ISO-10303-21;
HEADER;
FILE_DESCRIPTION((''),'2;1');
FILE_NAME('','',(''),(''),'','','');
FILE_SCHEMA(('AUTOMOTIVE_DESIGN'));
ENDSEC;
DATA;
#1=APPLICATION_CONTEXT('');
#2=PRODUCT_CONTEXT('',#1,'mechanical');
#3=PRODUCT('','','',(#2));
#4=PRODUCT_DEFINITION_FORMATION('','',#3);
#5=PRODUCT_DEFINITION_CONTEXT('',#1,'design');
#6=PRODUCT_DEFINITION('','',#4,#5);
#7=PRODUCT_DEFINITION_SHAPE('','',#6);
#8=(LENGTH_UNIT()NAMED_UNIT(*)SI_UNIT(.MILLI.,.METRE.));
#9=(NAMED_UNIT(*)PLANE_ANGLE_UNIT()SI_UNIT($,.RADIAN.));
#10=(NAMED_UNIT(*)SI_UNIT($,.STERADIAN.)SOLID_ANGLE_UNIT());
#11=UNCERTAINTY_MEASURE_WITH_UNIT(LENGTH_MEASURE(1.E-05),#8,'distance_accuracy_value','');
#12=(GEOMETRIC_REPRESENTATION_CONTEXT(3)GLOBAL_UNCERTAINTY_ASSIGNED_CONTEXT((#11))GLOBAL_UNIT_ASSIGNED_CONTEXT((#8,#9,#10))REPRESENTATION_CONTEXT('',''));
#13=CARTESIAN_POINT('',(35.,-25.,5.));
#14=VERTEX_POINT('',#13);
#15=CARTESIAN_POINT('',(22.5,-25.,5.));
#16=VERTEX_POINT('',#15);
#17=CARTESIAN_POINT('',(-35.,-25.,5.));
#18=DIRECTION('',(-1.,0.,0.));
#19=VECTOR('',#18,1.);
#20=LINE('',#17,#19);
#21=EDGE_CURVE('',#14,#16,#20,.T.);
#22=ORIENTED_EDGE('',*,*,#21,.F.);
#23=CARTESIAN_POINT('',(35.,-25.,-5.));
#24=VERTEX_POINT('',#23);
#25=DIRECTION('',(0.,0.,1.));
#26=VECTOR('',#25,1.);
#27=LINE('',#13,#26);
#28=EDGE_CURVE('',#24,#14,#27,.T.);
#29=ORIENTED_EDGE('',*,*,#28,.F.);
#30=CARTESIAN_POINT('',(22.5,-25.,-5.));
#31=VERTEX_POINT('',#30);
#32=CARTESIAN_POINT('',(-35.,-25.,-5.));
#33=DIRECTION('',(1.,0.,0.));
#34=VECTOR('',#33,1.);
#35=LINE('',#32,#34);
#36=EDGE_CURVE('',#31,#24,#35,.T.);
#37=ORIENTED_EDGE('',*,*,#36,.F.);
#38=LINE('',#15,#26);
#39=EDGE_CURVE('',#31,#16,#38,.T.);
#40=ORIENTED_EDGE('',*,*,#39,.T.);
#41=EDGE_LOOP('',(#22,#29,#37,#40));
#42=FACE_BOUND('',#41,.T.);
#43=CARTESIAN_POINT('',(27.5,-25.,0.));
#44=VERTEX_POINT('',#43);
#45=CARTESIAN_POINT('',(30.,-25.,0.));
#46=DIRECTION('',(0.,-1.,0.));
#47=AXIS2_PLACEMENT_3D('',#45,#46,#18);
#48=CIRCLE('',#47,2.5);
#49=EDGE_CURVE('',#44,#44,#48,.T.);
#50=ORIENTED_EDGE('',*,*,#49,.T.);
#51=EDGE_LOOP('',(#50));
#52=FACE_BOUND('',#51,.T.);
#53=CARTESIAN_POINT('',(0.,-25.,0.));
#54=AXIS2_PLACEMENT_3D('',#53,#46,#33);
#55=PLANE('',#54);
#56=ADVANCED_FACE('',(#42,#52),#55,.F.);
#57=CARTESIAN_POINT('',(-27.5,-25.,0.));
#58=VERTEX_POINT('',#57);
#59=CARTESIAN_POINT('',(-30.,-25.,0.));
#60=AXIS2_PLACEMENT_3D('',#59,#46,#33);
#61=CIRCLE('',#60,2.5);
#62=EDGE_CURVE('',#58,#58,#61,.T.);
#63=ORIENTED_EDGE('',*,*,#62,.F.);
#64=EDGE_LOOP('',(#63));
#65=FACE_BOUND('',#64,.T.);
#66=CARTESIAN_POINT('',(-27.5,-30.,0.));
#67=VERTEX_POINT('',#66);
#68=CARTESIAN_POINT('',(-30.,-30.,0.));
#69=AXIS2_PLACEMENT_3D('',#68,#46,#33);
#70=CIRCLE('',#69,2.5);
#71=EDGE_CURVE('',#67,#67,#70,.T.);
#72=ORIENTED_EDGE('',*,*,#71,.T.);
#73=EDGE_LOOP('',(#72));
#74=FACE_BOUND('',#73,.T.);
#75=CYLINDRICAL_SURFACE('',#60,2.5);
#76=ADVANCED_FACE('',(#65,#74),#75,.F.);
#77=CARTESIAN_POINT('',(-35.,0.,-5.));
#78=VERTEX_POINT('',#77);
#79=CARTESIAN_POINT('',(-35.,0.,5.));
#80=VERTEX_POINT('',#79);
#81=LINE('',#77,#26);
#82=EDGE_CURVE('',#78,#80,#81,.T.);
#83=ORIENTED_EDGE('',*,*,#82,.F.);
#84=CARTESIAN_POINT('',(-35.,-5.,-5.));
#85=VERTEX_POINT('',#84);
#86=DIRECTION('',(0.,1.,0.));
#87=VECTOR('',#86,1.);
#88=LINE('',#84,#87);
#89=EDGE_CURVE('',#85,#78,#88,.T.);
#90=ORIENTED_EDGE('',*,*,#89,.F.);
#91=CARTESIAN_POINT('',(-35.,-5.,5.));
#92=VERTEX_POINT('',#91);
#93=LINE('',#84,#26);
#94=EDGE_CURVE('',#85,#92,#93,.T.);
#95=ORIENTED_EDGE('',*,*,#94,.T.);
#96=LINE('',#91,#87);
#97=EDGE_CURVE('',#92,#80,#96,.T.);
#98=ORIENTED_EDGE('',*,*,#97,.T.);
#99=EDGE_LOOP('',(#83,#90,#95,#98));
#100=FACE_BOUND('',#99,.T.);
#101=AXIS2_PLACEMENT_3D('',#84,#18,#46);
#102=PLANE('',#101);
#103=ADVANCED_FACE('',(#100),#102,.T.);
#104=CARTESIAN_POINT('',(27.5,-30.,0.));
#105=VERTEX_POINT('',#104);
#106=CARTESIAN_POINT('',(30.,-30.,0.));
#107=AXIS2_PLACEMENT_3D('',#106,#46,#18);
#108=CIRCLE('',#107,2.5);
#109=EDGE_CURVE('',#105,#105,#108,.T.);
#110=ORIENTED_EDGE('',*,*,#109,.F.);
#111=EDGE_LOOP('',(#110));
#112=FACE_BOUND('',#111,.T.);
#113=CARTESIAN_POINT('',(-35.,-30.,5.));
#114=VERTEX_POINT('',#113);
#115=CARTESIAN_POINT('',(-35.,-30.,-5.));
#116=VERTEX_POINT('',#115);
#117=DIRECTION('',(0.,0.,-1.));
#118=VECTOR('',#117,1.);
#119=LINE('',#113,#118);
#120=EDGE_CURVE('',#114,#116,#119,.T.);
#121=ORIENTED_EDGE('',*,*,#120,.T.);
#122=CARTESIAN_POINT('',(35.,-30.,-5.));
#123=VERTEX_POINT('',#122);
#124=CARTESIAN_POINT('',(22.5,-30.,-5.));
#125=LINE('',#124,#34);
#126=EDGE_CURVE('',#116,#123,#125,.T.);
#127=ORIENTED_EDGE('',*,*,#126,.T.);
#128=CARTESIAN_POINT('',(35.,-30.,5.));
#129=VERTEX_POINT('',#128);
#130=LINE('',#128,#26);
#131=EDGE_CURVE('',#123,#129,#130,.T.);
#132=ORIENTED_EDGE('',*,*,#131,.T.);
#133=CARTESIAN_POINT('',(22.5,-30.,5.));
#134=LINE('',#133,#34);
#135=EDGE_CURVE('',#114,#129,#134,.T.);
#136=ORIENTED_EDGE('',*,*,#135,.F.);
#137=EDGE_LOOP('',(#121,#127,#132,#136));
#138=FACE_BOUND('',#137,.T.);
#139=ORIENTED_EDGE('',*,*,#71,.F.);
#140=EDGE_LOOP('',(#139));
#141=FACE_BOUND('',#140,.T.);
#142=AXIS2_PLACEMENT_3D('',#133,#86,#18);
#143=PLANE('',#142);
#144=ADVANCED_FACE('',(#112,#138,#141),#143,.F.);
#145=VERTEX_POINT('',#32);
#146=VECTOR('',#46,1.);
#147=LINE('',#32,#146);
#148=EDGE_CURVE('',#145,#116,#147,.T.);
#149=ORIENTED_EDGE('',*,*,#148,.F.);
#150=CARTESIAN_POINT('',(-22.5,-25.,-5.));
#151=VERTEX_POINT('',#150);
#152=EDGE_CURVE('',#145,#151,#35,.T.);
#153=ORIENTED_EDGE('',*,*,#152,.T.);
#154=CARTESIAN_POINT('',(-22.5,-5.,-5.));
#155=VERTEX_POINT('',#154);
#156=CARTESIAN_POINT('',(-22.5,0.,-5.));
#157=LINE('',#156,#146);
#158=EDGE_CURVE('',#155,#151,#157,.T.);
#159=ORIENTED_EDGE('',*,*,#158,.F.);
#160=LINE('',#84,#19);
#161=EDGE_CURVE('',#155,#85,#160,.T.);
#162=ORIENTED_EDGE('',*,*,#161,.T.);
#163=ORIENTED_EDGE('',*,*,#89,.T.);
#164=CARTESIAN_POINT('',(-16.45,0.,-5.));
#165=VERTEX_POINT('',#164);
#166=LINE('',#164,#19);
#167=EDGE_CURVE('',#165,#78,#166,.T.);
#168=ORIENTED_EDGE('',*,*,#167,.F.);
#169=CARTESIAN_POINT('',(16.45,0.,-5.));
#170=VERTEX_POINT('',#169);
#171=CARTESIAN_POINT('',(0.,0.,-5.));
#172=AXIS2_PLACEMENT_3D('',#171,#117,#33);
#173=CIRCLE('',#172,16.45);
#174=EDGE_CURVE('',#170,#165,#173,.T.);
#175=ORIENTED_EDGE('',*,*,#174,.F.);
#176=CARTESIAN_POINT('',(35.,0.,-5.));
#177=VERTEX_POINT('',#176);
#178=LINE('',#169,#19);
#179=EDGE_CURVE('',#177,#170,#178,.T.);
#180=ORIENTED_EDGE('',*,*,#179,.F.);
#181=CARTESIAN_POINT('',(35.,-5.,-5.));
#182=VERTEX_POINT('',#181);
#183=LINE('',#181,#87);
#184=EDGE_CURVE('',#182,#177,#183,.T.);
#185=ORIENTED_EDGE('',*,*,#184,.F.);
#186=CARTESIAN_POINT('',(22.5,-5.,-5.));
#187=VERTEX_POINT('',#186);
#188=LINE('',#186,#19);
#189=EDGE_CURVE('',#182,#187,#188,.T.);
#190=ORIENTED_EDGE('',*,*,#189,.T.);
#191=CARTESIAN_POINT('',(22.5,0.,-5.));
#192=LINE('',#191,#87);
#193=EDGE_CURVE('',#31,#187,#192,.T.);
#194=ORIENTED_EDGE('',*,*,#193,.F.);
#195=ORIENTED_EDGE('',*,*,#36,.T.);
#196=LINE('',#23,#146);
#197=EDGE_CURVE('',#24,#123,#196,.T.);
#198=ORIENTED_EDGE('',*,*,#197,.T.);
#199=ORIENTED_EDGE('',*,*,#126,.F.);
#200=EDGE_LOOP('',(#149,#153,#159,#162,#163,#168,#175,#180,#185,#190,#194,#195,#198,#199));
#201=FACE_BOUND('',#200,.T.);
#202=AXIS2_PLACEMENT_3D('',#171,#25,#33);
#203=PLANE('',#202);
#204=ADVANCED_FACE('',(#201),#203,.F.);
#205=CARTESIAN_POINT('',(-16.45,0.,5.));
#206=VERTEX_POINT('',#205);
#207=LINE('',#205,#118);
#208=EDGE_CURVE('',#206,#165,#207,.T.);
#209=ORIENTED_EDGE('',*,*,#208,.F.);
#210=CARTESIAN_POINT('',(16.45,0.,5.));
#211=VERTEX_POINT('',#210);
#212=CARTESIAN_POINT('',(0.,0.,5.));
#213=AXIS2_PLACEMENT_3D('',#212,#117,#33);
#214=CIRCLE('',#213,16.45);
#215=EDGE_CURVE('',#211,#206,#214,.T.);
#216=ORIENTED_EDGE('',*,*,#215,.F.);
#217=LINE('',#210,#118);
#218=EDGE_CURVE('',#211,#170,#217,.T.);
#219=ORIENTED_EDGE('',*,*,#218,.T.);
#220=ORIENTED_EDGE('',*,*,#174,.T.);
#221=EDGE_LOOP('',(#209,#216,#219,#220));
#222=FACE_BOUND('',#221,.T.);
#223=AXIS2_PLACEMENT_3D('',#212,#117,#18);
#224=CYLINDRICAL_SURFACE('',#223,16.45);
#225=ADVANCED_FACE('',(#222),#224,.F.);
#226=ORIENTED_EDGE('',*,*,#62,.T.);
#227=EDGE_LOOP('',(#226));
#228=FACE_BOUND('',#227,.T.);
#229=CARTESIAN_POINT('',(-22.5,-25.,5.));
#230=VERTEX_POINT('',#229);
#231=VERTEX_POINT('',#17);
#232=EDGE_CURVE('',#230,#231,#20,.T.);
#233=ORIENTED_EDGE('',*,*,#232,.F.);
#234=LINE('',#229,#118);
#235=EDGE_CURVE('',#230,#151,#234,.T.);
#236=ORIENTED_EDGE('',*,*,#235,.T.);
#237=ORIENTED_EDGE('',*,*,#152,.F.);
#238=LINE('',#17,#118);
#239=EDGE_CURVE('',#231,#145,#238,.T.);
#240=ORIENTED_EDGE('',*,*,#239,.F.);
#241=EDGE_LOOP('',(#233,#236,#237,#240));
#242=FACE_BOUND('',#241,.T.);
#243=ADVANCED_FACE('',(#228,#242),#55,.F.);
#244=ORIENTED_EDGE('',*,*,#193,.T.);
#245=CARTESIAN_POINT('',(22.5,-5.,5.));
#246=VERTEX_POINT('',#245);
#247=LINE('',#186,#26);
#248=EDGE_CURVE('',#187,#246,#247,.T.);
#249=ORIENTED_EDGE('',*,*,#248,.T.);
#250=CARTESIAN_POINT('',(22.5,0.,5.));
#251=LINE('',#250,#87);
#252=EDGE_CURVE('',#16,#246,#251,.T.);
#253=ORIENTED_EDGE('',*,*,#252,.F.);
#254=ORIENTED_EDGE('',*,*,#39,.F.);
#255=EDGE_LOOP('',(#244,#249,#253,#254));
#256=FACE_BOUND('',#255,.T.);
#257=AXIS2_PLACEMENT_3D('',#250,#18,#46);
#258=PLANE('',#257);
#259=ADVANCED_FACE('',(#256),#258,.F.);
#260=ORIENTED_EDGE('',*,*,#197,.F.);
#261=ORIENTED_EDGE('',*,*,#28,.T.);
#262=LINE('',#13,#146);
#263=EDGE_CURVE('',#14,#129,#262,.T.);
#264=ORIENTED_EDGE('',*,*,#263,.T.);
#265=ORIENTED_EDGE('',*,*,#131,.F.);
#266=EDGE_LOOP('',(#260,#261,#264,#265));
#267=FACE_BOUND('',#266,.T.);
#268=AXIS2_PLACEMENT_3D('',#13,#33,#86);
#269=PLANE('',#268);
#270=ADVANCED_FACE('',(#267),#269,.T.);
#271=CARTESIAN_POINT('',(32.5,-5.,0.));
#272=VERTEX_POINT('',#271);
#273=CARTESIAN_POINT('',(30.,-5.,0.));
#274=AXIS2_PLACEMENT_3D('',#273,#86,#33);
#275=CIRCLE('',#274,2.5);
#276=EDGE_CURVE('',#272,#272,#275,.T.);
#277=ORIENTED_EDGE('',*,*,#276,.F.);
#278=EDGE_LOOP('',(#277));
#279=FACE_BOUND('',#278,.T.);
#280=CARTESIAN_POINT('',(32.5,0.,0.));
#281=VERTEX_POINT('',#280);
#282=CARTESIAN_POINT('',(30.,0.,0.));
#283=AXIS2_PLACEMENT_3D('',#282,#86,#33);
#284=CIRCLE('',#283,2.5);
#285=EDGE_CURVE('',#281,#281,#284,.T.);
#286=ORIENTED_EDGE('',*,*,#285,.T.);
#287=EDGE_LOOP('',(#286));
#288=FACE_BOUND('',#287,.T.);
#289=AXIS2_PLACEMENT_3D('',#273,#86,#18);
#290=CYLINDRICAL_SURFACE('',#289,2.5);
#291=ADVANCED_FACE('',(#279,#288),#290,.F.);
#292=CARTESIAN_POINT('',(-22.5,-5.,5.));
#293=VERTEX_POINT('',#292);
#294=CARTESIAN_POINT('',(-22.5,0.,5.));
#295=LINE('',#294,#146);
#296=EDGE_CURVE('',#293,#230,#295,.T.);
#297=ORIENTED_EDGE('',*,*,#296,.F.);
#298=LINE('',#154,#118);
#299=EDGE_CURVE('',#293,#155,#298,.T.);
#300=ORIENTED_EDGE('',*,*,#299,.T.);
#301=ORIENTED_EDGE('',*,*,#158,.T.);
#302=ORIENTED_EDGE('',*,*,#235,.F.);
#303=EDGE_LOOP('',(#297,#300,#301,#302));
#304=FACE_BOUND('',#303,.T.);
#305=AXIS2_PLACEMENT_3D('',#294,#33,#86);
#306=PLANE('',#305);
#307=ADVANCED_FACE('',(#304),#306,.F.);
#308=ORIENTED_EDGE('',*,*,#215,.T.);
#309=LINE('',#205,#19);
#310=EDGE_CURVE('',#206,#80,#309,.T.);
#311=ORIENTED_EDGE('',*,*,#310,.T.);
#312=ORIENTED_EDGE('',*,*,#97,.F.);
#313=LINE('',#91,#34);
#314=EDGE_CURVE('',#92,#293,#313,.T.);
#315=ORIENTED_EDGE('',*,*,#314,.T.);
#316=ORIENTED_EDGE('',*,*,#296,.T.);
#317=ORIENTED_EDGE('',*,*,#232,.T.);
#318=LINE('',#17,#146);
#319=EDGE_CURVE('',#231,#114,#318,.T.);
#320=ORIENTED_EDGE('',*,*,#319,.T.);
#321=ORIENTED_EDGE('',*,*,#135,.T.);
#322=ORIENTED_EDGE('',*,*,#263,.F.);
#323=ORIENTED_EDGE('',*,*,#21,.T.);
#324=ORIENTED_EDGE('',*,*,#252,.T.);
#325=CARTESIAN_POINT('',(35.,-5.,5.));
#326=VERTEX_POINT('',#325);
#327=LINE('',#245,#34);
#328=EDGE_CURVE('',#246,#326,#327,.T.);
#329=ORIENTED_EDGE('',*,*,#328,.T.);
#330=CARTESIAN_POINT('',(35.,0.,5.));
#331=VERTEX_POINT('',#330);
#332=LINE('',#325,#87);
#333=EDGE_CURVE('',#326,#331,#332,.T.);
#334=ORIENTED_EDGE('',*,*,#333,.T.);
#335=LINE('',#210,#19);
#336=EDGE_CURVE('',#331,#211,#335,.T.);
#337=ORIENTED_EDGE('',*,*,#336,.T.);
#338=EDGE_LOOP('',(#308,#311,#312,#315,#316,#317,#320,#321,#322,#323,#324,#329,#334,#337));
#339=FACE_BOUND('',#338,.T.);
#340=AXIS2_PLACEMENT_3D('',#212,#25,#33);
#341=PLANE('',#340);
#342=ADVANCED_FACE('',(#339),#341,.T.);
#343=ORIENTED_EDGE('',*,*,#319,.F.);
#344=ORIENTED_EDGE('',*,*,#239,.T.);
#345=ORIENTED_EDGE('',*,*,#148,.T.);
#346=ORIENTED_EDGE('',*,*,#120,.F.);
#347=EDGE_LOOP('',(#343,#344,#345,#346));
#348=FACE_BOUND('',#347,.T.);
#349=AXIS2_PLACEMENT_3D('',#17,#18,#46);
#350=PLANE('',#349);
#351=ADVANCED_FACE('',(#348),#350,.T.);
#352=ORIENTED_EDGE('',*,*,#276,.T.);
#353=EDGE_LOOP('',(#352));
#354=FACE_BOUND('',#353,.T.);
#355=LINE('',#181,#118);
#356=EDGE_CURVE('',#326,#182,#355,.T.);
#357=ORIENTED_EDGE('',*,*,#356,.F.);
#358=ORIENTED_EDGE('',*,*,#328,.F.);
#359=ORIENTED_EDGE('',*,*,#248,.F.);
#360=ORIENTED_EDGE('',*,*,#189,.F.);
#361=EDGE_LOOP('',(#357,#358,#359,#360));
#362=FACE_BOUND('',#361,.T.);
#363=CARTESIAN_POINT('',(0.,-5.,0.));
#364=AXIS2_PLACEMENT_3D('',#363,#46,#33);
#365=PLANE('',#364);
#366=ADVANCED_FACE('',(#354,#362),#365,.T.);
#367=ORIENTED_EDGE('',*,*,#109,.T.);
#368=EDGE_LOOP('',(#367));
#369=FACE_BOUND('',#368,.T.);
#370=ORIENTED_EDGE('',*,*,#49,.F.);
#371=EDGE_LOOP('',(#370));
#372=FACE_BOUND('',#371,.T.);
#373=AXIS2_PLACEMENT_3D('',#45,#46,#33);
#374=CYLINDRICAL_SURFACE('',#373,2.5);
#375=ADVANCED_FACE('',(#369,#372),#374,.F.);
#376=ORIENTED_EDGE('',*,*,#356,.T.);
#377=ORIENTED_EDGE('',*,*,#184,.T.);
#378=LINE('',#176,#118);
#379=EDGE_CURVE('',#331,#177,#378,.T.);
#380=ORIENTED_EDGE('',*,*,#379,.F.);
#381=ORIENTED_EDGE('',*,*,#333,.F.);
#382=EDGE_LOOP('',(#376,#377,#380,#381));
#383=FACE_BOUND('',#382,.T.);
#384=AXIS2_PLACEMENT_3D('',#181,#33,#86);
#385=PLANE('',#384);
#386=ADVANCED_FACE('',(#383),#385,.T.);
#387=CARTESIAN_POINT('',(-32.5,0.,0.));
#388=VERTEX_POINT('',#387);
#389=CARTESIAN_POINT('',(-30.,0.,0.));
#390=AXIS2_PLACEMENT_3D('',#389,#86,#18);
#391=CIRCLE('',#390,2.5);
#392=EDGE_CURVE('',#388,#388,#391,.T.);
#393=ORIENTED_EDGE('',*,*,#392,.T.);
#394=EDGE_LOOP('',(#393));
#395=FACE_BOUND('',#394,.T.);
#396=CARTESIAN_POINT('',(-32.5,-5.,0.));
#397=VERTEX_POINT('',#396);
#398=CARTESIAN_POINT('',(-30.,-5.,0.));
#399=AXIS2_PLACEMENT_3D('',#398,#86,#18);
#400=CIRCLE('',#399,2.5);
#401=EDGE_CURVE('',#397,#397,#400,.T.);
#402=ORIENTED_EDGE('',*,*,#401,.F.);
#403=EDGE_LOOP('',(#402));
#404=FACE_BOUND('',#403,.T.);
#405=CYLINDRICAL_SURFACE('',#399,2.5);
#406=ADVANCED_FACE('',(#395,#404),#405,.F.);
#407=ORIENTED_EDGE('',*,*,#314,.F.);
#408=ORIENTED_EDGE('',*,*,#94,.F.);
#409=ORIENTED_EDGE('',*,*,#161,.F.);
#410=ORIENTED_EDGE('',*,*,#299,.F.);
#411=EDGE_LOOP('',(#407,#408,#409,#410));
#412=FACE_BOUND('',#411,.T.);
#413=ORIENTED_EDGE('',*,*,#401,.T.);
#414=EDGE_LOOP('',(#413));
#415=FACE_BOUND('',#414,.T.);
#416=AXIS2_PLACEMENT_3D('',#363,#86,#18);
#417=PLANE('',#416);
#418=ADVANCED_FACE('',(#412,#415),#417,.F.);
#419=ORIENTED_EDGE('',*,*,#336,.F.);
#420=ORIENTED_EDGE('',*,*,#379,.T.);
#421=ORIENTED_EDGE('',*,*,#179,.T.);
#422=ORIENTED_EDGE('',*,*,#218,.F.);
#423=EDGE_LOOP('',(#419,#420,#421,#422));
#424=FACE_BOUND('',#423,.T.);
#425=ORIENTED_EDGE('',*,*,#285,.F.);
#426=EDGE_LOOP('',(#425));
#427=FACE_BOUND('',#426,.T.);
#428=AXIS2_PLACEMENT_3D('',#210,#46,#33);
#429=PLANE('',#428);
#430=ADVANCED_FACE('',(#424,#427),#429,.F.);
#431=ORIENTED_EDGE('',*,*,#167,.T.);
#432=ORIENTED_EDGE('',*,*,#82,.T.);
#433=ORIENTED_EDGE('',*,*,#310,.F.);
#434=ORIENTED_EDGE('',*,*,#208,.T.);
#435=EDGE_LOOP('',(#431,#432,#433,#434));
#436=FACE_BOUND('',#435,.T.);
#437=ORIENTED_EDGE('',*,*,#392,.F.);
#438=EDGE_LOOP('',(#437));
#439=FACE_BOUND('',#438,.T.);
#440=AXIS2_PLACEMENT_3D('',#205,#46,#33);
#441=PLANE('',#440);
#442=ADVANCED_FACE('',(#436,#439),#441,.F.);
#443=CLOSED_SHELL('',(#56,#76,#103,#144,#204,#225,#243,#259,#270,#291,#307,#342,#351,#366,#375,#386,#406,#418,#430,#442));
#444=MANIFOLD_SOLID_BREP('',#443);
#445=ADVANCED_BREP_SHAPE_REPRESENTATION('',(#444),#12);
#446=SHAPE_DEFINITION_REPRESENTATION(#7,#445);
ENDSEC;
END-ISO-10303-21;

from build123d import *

# Parameters (mm, degrees)
EXTRUDE_1_DEPTH = 5
SKETCH_3_W      = 70
SKETCH_3_H      = 10
SKETCH_3_R      = 2.5
EXTRUDE_2_DEPTH = 5
EXTRUDE_START   = -5
SKETCH_4_W      = 12.5
SKETCH_4_H      = 10
SKETCH_4_R      = 2.5
EXTRUDE_3_DEPTH = 5


with BuildPart() as part:
    # 草图1 → 凸台-拉伸1 (new, symmetric)
    with BuildSketch(Plane.XY):
        with BuildLine():
            Line((16.45, 0), (22.5, 0))
            Line((22.5, 0), (22.5, -30))
            Line((22.5, -30), (-22.5, -30))
            Line((-22.5, -30), (-22.5, 0))
            Line((-22.5, 0), (-16.45, 0))
            ThreePointArc((-16.45, 0), (0, -16.45), (16.45, 0))
        make_face()
    extrude(amount=EXTRUDE_1_DEPTH, both=True)

    # 草图3 → 凸台-拉伸2 (add)
    with BuildSketch(Plane.XZ.offset(30)):
        Rectangle(SKETCH_3_W, SKETCH_3_H)
        with Locations((-30, 0)):
            Circle(SKETCH_3_R, mode=Mode.SUBTRACT)
        with Locations(Location((30, 0, 0), (0, 0, 180))):
            Circle(SKETCH_3_R, mode=Mode.SUBTRACT)
    extrude(amount=-EXTRUDE_2_DEPTH)

    # 草图4 → 凸台-拉伸3 (add)
    # profile 1 of 2: a face of its own
    with BuildSketch(Plane(origin=(0, 0, 0), x_dir=(1, 0, 0), z_dir=(0, 1, 0)).offset(EXTRUDE_START)):
        with Locations((-28.75, 0)):
            Rectangle(SKETCH_4_W, SKETCH_4_H)
        with Locations((-30, 0)):
            Circle(SKETCH_4_R, mode=Mode.SUBTRACT)
    # profile 2 of 2: a face of its own
    with BuildSketch(Plane(origin=(0, 0, 0), x_dir=(1, 0, 0), z_dir=(0, 1, 0)).offset(EXTRUDE_START)):
        with Locations((28.75, 0)):
            Rectangle(SKETCH_4_W, SKETCH_4_H)
        with Locations(Location((30, 0, 0), (0, 0, 180))):
            Circle(SKETCH_4_R, mode=Mode.SUBTRACT)
    extrude(amount=EXTRUDE_3_DEPTH)


solid = part.part
